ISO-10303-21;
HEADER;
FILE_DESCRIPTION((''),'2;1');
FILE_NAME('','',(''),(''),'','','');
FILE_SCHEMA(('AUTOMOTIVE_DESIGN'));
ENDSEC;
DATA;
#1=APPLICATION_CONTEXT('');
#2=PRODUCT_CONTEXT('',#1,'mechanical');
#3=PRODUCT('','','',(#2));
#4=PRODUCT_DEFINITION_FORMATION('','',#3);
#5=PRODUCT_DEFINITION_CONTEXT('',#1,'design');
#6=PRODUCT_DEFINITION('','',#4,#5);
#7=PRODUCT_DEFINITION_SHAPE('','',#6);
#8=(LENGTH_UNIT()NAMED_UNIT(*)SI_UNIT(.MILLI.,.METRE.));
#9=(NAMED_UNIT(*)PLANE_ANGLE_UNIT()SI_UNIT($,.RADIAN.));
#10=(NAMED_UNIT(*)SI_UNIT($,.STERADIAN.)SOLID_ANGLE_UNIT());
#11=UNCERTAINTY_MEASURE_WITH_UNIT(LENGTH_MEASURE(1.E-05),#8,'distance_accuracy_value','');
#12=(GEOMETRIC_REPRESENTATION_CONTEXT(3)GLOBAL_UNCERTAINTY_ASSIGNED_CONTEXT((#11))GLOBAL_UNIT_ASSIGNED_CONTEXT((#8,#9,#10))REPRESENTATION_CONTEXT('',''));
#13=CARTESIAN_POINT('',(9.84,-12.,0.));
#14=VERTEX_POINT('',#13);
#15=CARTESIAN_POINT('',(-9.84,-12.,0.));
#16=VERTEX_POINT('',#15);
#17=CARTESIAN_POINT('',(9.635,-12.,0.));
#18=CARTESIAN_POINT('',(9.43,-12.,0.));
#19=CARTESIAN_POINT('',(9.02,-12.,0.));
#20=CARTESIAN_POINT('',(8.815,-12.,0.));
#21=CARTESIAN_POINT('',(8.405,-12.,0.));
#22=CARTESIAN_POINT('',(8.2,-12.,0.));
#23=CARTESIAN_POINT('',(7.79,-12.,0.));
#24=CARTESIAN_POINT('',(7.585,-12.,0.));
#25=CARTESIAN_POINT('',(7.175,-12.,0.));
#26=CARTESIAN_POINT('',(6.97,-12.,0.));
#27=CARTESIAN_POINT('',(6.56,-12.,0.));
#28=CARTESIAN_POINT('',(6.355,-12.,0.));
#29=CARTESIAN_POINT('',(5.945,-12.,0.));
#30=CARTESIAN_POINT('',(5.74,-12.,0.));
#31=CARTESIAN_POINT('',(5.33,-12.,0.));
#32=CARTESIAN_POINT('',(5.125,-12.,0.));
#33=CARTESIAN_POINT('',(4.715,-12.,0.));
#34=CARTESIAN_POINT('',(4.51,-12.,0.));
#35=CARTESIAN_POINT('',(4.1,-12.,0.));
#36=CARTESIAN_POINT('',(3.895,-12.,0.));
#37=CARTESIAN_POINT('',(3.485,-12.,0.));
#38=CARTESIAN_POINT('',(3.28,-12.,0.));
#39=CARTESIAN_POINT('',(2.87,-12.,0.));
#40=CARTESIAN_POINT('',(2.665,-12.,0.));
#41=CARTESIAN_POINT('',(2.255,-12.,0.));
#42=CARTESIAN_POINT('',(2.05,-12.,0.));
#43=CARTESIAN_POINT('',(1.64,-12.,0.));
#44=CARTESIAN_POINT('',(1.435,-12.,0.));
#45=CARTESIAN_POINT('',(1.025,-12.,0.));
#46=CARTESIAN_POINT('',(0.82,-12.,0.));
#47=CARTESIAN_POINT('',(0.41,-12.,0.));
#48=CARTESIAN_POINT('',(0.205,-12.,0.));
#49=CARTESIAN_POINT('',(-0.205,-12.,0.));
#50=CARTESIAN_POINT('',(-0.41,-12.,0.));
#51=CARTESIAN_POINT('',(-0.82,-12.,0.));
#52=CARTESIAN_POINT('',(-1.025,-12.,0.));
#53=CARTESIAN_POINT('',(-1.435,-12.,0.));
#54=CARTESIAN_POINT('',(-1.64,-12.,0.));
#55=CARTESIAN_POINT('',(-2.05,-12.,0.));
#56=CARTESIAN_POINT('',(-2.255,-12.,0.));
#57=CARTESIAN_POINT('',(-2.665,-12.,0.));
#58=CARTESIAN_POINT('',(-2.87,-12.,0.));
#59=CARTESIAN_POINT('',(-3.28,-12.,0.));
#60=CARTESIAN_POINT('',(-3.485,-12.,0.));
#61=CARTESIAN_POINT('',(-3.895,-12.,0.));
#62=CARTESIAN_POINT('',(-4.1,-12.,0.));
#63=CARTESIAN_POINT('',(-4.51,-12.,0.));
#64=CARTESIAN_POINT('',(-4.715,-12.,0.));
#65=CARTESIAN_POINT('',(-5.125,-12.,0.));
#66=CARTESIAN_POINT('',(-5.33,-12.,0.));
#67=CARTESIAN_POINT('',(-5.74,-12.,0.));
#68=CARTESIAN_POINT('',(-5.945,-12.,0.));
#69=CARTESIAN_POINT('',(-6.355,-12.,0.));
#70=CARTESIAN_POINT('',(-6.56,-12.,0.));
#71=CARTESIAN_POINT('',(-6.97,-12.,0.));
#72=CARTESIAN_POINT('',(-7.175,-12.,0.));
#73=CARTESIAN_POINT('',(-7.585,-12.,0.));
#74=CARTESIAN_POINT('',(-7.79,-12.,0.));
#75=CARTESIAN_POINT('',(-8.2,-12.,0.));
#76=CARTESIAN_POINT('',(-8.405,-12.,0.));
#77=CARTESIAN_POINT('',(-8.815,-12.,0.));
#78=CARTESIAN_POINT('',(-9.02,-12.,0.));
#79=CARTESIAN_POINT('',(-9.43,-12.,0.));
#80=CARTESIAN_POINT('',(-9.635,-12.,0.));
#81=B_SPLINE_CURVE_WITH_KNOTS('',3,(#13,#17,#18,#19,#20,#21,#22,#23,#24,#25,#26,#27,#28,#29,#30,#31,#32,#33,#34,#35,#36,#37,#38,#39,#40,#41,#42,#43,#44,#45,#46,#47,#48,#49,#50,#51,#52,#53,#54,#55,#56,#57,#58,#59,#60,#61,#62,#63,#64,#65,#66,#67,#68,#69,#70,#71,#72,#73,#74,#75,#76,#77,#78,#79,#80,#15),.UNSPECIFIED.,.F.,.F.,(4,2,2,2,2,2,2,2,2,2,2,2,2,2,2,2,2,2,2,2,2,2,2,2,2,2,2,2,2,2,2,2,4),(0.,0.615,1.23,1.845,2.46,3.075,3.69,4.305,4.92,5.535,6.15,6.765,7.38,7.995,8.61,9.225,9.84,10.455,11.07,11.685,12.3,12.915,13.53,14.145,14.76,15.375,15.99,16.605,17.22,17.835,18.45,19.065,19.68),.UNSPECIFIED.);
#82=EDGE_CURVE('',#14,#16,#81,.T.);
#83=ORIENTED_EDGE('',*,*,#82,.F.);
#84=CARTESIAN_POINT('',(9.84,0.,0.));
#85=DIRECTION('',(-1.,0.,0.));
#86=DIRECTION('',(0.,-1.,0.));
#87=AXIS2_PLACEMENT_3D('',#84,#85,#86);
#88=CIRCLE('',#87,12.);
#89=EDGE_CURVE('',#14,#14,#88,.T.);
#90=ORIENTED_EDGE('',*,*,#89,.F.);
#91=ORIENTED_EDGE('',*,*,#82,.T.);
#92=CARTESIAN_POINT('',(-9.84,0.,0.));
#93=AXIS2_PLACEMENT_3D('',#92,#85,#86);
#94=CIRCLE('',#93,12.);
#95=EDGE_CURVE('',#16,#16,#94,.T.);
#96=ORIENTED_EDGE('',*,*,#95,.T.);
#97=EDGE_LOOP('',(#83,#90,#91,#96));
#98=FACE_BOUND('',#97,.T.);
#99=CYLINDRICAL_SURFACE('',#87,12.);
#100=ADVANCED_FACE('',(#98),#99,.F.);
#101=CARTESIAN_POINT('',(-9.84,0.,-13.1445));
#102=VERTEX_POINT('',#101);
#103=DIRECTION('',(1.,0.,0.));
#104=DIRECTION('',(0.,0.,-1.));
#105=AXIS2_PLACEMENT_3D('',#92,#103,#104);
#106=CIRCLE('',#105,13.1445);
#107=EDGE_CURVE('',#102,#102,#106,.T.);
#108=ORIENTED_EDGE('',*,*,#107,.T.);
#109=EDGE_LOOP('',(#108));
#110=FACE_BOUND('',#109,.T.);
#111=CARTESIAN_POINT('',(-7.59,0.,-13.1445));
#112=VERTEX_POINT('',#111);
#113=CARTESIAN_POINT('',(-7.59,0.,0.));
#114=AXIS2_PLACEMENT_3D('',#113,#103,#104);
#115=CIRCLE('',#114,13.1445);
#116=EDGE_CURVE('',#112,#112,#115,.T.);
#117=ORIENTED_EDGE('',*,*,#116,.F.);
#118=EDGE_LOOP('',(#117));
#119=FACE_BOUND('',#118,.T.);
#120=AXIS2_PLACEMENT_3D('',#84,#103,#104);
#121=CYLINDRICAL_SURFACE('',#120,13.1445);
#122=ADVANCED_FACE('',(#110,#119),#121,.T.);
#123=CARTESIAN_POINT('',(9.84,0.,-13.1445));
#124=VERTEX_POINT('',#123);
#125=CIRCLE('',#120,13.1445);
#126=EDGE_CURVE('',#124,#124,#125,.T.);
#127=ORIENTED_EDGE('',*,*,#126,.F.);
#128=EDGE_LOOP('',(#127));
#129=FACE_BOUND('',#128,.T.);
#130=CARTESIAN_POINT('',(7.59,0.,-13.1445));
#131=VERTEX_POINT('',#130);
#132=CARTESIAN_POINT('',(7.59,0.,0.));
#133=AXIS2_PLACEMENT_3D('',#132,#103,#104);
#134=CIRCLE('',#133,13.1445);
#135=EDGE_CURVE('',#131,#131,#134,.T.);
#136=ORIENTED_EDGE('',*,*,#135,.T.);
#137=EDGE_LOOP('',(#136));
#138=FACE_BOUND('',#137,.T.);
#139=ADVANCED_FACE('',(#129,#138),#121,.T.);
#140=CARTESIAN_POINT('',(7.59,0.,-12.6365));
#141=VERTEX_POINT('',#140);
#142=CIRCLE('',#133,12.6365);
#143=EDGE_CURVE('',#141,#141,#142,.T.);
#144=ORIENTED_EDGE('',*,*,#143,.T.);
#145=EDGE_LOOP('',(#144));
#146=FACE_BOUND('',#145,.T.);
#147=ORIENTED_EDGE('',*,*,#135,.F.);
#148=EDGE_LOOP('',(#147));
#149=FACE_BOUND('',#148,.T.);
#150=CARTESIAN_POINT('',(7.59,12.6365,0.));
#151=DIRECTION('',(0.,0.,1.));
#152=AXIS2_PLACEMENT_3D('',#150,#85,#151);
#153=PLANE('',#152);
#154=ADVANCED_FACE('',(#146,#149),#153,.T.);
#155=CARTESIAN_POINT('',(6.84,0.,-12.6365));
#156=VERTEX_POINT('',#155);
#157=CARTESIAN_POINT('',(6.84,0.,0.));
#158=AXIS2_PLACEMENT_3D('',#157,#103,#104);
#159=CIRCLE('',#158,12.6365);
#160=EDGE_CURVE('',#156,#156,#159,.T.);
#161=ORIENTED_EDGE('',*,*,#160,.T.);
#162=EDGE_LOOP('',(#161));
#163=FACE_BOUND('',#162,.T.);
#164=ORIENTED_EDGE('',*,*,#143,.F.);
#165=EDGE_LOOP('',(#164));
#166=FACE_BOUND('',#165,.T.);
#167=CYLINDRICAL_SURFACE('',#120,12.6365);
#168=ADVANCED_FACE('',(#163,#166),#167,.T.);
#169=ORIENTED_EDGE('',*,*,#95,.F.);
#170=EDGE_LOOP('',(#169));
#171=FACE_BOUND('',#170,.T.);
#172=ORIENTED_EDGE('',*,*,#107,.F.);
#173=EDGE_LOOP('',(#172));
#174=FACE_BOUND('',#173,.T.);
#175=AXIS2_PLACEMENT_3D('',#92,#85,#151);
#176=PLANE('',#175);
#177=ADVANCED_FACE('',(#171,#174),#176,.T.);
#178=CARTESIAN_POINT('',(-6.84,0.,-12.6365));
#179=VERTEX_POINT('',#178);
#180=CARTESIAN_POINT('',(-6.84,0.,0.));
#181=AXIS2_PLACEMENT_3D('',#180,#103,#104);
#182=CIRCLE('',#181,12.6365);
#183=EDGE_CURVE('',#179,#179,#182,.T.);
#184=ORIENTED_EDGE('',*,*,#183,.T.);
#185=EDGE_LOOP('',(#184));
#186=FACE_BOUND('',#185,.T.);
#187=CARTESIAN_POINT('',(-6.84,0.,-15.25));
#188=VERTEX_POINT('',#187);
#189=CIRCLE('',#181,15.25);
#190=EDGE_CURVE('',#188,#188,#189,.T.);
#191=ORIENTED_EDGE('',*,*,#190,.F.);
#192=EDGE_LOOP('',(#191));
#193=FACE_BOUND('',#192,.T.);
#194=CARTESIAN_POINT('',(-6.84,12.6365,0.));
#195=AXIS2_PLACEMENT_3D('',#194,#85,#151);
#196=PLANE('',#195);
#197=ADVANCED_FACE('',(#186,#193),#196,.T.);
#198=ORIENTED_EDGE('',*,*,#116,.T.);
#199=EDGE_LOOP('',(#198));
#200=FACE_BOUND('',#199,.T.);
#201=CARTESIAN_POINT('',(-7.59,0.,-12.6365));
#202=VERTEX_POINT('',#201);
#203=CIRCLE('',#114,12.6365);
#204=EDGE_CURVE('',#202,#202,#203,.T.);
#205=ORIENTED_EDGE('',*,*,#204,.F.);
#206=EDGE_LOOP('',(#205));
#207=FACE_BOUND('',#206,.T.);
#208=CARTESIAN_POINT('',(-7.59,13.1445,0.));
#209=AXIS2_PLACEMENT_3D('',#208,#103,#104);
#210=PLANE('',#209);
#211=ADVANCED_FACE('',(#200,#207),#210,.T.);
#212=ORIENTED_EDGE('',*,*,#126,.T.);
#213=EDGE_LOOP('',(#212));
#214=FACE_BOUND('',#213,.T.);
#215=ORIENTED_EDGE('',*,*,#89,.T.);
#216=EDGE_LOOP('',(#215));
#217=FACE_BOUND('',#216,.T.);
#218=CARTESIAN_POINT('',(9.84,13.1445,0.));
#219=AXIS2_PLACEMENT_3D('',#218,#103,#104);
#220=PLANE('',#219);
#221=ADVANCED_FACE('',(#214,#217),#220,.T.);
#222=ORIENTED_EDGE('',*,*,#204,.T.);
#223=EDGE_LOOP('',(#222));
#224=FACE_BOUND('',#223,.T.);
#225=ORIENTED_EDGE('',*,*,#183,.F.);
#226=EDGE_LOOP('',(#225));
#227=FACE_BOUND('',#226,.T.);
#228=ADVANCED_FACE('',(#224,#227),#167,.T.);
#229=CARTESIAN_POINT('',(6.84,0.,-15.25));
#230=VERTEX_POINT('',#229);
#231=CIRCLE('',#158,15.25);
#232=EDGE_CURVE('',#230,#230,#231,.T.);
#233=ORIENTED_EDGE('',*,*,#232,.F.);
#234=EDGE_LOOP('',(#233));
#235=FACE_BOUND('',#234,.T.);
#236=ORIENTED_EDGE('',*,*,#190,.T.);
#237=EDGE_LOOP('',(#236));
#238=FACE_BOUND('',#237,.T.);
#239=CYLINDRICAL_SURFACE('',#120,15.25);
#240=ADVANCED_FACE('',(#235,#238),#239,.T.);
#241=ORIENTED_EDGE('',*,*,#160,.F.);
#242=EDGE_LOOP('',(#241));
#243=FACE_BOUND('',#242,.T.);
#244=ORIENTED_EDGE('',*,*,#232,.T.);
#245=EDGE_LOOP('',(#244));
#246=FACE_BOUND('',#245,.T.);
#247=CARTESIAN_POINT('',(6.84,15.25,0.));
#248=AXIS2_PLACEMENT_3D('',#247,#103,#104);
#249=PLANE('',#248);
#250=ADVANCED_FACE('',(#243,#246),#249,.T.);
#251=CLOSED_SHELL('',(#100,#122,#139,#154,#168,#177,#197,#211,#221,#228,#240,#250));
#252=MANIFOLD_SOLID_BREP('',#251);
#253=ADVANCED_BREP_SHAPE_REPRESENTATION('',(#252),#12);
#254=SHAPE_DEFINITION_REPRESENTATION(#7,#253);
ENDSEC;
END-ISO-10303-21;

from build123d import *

# Parameters (mm, degrees)
SKETCH3_R          = 12
CUT_EXTRUDE1_DEPTH = 30.196359362


with BuildPart() as part:
    # Sketch2 → Revolve1 (revolve)
    with BuildSketch(Plane.XY, mode=Mode.PRIVATE) as revolve1_sk:
        Polygon((9.84, 0), (-9.84, 0), (-9.84, 13.1445), (-7.59, 13.1445), (-7.59, 12.6365), (-6.84, 12.6365), (-6.84, 15.25), (6.84, 15.25), (6.84, 12.6365), (7.59, 12.6365), (7.59, 13.1445), (9.84, 13.1445), align=None)
    revolve(revolve1_sk.sketch.rotate(Axis((9.84, 0, 0), (-1, 0, 0)), 90), axis=Axis((9.84, 0, 0), (-1, 0, 0)))

    # Sketch3 → Cut-Extrude1 (cut, through all)
    with BuildSketch(Plane.ZY.offset(9.84)):
        with Locations(Location((0, 0, 0), (0, 0, 270))):
            Circle(SKETCH3_R)
    extrude(amount=-CUT_EXTRUDE1_DEPTH, mode=Mode.SUBTRACT)


solid = part.part
